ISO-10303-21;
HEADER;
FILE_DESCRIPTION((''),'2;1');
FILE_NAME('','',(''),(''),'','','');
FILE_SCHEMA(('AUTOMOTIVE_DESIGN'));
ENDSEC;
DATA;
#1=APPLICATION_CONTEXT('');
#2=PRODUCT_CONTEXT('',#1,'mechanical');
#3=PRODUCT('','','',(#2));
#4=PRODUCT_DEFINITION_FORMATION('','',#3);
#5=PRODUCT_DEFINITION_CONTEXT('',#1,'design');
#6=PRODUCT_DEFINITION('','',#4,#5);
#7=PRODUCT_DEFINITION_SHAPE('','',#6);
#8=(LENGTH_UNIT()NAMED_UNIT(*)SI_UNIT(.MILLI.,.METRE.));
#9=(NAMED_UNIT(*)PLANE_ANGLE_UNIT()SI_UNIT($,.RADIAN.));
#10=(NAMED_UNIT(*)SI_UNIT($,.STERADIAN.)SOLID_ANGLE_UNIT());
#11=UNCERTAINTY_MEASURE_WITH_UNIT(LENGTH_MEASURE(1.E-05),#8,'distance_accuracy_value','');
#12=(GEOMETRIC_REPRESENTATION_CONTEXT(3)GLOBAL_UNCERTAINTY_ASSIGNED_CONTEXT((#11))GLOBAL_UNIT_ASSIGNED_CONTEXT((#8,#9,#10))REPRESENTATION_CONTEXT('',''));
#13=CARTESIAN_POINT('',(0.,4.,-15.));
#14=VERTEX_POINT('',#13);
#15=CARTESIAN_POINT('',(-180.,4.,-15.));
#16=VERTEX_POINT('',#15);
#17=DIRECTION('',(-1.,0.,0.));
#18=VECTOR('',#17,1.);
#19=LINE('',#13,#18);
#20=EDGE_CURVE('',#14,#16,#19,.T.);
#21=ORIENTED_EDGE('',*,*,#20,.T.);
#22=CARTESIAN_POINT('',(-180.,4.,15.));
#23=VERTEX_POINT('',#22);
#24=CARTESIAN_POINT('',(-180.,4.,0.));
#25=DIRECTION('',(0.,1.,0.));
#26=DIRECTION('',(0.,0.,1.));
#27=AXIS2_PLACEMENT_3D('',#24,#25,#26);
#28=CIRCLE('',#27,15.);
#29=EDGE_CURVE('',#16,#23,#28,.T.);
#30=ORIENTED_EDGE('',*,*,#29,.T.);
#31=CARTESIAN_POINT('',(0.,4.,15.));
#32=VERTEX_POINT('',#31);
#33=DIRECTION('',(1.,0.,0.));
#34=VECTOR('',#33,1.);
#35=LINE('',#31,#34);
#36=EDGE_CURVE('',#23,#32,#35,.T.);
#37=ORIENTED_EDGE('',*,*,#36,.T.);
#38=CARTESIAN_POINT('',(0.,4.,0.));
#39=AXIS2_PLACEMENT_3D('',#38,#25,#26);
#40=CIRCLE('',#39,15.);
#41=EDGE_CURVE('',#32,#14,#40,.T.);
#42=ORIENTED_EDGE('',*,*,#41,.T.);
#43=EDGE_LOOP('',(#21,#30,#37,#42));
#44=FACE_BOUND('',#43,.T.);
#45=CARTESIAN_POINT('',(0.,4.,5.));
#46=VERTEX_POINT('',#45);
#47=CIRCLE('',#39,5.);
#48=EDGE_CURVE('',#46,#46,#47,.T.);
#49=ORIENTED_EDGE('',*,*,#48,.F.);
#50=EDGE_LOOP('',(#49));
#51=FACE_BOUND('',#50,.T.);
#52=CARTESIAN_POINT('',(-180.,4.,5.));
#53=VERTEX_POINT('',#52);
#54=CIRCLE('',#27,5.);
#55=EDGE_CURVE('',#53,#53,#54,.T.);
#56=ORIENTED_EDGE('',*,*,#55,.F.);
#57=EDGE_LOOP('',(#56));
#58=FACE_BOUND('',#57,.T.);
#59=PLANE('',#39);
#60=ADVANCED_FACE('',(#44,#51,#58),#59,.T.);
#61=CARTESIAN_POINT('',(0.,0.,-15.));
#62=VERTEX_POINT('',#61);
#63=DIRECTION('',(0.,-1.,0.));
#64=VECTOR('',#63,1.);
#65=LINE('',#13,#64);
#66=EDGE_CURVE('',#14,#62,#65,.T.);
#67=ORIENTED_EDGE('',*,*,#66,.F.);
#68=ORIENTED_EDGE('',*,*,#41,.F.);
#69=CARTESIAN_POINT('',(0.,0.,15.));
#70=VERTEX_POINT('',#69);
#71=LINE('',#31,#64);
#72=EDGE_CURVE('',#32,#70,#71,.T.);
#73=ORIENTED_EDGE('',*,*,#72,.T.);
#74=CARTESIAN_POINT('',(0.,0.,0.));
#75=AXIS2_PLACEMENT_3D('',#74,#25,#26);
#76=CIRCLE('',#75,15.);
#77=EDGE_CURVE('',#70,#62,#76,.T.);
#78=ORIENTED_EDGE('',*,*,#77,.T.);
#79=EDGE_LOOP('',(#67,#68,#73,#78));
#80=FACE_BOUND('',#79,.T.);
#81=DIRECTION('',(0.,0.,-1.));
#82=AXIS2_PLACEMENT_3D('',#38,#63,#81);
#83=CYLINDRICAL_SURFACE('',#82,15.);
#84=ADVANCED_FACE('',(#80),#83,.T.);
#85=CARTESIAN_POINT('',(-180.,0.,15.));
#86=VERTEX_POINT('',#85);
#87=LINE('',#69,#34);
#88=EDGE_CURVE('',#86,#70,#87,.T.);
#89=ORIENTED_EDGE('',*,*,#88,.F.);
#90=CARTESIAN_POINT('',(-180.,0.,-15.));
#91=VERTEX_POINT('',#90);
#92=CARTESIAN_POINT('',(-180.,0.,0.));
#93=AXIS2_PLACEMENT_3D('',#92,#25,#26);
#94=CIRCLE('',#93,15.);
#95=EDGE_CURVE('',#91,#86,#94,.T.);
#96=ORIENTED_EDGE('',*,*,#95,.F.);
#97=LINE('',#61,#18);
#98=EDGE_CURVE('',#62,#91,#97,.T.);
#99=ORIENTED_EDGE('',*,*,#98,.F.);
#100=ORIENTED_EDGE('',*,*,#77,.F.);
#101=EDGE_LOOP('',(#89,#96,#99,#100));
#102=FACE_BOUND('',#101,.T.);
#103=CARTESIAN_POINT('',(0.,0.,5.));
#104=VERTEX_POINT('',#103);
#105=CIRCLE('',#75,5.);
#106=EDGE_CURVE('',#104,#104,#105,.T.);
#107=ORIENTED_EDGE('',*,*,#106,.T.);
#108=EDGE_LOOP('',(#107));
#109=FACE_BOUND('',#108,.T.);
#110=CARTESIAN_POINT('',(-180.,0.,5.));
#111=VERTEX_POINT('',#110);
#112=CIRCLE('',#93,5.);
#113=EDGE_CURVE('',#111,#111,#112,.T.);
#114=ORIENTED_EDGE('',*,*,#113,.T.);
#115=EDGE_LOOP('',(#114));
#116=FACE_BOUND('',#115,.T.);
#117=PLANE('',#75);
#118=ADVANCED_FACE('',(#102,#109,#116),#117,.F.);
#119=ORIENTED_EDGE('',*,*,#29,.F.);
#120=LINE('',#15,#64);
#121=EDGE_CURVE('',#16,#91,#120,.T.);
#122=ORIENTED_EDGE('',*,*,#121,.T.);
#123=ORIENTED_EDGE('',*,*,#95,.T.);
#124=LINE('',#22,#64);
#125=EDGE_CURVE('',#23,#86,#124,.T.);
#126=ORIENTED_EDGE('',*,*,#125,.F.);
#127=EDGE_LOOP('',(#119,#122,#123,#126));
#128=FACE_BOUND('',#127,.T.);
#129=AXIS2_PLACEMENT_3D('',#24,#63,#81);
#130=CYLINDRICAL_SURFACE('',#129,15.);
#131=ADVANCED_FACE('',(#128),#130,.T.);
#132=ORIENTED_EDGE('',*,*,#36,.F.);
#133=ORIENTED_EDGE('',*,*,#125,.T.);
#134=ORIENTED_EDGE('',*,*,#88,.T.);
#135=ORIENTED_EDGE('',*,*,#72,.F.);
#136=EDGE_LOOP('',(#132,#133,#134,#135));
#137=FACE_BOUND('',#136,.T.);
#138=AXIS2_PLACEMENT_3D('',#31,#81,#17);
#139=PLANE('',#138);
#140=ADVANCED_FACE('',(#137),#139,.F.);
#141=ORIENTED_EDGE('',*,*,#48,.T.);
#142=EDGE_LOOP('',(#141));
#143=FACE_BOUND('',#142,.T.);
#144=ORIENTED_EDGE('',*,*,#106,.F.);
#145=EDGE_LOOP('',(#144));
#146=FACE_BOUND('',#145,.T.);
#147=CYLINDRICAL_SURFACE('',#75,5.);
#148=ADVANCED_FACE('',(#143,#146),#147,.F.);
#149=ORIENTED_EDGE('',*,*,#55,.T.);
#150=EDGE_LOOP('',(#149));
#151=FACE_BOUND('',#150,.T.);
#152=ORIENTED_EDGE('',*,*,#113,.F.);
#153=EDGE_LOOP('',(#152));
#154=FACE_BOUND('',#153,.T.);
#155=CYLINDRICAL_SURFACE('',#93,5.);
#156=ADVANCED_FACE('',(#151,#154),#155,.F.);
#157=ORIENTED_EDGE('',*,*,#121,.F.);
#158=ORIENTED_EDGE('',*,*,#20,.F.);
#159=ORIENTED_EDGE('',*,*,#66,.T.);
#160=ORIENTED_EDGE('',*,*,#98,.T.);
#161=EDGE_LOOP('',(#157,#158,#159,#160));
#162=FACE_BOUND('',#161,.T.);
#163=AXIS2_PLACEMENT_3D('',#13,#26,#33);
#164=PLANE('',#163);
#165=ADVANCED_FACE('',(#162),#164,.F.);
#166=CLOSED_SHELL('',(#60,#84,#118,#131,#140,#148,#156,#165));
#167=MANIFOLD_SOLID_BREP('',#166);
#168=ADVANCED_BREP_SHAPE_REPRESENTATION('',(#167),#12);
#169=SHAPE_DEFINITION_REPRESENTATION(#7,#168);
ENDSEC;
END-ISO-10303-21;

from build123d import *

# Parameters (mm, degrees)
EXTRUDE_1_DEPTH     = 4
SKETCH_2_R          = 5
CUT_EXTRUDE_1_DEPTH = 196.616972679


with BuildPart() as part:
    # 草图1 → 凸台-拉伸1 (new body)
    with BuildSketch(Plane(origin=(0, 0, 0), x_dir=(1, 0, 0), z_dir=(0, 1, 0))):
        with BuildLine():
            Line((0, -15), (-180, -15))
            ThreePointArc((-180, -15), (-195, 0), (-180, 15))
            Line((-180, 15), (0, 15))
            ThreePointArc((0, 15), (15, 0), (0, -15))
        make_face()
    extrude(amount=EXTRUDE_1_DEPTH)

    # 草图2 → 切除-拉伸1 (cut, through all)
    with BuildSketch(Plane(origin=(0, 4, 0), x_dir=(1, 0, 0), z_dir=(0, 1, 0))):
        with Locations(Location((0, 0, 0), (0, 0, 270))):
            Circle(SKETCH_2_R)
        with Locations(Location((-180, 0, 0), (0, 0, 270))):
            Circle(SKETCH_2_R)
    extrude(amount=-CUT_EXTRUDE_1_DEPTH, mode=Mode.SUBTRACT)


solid = part.part
